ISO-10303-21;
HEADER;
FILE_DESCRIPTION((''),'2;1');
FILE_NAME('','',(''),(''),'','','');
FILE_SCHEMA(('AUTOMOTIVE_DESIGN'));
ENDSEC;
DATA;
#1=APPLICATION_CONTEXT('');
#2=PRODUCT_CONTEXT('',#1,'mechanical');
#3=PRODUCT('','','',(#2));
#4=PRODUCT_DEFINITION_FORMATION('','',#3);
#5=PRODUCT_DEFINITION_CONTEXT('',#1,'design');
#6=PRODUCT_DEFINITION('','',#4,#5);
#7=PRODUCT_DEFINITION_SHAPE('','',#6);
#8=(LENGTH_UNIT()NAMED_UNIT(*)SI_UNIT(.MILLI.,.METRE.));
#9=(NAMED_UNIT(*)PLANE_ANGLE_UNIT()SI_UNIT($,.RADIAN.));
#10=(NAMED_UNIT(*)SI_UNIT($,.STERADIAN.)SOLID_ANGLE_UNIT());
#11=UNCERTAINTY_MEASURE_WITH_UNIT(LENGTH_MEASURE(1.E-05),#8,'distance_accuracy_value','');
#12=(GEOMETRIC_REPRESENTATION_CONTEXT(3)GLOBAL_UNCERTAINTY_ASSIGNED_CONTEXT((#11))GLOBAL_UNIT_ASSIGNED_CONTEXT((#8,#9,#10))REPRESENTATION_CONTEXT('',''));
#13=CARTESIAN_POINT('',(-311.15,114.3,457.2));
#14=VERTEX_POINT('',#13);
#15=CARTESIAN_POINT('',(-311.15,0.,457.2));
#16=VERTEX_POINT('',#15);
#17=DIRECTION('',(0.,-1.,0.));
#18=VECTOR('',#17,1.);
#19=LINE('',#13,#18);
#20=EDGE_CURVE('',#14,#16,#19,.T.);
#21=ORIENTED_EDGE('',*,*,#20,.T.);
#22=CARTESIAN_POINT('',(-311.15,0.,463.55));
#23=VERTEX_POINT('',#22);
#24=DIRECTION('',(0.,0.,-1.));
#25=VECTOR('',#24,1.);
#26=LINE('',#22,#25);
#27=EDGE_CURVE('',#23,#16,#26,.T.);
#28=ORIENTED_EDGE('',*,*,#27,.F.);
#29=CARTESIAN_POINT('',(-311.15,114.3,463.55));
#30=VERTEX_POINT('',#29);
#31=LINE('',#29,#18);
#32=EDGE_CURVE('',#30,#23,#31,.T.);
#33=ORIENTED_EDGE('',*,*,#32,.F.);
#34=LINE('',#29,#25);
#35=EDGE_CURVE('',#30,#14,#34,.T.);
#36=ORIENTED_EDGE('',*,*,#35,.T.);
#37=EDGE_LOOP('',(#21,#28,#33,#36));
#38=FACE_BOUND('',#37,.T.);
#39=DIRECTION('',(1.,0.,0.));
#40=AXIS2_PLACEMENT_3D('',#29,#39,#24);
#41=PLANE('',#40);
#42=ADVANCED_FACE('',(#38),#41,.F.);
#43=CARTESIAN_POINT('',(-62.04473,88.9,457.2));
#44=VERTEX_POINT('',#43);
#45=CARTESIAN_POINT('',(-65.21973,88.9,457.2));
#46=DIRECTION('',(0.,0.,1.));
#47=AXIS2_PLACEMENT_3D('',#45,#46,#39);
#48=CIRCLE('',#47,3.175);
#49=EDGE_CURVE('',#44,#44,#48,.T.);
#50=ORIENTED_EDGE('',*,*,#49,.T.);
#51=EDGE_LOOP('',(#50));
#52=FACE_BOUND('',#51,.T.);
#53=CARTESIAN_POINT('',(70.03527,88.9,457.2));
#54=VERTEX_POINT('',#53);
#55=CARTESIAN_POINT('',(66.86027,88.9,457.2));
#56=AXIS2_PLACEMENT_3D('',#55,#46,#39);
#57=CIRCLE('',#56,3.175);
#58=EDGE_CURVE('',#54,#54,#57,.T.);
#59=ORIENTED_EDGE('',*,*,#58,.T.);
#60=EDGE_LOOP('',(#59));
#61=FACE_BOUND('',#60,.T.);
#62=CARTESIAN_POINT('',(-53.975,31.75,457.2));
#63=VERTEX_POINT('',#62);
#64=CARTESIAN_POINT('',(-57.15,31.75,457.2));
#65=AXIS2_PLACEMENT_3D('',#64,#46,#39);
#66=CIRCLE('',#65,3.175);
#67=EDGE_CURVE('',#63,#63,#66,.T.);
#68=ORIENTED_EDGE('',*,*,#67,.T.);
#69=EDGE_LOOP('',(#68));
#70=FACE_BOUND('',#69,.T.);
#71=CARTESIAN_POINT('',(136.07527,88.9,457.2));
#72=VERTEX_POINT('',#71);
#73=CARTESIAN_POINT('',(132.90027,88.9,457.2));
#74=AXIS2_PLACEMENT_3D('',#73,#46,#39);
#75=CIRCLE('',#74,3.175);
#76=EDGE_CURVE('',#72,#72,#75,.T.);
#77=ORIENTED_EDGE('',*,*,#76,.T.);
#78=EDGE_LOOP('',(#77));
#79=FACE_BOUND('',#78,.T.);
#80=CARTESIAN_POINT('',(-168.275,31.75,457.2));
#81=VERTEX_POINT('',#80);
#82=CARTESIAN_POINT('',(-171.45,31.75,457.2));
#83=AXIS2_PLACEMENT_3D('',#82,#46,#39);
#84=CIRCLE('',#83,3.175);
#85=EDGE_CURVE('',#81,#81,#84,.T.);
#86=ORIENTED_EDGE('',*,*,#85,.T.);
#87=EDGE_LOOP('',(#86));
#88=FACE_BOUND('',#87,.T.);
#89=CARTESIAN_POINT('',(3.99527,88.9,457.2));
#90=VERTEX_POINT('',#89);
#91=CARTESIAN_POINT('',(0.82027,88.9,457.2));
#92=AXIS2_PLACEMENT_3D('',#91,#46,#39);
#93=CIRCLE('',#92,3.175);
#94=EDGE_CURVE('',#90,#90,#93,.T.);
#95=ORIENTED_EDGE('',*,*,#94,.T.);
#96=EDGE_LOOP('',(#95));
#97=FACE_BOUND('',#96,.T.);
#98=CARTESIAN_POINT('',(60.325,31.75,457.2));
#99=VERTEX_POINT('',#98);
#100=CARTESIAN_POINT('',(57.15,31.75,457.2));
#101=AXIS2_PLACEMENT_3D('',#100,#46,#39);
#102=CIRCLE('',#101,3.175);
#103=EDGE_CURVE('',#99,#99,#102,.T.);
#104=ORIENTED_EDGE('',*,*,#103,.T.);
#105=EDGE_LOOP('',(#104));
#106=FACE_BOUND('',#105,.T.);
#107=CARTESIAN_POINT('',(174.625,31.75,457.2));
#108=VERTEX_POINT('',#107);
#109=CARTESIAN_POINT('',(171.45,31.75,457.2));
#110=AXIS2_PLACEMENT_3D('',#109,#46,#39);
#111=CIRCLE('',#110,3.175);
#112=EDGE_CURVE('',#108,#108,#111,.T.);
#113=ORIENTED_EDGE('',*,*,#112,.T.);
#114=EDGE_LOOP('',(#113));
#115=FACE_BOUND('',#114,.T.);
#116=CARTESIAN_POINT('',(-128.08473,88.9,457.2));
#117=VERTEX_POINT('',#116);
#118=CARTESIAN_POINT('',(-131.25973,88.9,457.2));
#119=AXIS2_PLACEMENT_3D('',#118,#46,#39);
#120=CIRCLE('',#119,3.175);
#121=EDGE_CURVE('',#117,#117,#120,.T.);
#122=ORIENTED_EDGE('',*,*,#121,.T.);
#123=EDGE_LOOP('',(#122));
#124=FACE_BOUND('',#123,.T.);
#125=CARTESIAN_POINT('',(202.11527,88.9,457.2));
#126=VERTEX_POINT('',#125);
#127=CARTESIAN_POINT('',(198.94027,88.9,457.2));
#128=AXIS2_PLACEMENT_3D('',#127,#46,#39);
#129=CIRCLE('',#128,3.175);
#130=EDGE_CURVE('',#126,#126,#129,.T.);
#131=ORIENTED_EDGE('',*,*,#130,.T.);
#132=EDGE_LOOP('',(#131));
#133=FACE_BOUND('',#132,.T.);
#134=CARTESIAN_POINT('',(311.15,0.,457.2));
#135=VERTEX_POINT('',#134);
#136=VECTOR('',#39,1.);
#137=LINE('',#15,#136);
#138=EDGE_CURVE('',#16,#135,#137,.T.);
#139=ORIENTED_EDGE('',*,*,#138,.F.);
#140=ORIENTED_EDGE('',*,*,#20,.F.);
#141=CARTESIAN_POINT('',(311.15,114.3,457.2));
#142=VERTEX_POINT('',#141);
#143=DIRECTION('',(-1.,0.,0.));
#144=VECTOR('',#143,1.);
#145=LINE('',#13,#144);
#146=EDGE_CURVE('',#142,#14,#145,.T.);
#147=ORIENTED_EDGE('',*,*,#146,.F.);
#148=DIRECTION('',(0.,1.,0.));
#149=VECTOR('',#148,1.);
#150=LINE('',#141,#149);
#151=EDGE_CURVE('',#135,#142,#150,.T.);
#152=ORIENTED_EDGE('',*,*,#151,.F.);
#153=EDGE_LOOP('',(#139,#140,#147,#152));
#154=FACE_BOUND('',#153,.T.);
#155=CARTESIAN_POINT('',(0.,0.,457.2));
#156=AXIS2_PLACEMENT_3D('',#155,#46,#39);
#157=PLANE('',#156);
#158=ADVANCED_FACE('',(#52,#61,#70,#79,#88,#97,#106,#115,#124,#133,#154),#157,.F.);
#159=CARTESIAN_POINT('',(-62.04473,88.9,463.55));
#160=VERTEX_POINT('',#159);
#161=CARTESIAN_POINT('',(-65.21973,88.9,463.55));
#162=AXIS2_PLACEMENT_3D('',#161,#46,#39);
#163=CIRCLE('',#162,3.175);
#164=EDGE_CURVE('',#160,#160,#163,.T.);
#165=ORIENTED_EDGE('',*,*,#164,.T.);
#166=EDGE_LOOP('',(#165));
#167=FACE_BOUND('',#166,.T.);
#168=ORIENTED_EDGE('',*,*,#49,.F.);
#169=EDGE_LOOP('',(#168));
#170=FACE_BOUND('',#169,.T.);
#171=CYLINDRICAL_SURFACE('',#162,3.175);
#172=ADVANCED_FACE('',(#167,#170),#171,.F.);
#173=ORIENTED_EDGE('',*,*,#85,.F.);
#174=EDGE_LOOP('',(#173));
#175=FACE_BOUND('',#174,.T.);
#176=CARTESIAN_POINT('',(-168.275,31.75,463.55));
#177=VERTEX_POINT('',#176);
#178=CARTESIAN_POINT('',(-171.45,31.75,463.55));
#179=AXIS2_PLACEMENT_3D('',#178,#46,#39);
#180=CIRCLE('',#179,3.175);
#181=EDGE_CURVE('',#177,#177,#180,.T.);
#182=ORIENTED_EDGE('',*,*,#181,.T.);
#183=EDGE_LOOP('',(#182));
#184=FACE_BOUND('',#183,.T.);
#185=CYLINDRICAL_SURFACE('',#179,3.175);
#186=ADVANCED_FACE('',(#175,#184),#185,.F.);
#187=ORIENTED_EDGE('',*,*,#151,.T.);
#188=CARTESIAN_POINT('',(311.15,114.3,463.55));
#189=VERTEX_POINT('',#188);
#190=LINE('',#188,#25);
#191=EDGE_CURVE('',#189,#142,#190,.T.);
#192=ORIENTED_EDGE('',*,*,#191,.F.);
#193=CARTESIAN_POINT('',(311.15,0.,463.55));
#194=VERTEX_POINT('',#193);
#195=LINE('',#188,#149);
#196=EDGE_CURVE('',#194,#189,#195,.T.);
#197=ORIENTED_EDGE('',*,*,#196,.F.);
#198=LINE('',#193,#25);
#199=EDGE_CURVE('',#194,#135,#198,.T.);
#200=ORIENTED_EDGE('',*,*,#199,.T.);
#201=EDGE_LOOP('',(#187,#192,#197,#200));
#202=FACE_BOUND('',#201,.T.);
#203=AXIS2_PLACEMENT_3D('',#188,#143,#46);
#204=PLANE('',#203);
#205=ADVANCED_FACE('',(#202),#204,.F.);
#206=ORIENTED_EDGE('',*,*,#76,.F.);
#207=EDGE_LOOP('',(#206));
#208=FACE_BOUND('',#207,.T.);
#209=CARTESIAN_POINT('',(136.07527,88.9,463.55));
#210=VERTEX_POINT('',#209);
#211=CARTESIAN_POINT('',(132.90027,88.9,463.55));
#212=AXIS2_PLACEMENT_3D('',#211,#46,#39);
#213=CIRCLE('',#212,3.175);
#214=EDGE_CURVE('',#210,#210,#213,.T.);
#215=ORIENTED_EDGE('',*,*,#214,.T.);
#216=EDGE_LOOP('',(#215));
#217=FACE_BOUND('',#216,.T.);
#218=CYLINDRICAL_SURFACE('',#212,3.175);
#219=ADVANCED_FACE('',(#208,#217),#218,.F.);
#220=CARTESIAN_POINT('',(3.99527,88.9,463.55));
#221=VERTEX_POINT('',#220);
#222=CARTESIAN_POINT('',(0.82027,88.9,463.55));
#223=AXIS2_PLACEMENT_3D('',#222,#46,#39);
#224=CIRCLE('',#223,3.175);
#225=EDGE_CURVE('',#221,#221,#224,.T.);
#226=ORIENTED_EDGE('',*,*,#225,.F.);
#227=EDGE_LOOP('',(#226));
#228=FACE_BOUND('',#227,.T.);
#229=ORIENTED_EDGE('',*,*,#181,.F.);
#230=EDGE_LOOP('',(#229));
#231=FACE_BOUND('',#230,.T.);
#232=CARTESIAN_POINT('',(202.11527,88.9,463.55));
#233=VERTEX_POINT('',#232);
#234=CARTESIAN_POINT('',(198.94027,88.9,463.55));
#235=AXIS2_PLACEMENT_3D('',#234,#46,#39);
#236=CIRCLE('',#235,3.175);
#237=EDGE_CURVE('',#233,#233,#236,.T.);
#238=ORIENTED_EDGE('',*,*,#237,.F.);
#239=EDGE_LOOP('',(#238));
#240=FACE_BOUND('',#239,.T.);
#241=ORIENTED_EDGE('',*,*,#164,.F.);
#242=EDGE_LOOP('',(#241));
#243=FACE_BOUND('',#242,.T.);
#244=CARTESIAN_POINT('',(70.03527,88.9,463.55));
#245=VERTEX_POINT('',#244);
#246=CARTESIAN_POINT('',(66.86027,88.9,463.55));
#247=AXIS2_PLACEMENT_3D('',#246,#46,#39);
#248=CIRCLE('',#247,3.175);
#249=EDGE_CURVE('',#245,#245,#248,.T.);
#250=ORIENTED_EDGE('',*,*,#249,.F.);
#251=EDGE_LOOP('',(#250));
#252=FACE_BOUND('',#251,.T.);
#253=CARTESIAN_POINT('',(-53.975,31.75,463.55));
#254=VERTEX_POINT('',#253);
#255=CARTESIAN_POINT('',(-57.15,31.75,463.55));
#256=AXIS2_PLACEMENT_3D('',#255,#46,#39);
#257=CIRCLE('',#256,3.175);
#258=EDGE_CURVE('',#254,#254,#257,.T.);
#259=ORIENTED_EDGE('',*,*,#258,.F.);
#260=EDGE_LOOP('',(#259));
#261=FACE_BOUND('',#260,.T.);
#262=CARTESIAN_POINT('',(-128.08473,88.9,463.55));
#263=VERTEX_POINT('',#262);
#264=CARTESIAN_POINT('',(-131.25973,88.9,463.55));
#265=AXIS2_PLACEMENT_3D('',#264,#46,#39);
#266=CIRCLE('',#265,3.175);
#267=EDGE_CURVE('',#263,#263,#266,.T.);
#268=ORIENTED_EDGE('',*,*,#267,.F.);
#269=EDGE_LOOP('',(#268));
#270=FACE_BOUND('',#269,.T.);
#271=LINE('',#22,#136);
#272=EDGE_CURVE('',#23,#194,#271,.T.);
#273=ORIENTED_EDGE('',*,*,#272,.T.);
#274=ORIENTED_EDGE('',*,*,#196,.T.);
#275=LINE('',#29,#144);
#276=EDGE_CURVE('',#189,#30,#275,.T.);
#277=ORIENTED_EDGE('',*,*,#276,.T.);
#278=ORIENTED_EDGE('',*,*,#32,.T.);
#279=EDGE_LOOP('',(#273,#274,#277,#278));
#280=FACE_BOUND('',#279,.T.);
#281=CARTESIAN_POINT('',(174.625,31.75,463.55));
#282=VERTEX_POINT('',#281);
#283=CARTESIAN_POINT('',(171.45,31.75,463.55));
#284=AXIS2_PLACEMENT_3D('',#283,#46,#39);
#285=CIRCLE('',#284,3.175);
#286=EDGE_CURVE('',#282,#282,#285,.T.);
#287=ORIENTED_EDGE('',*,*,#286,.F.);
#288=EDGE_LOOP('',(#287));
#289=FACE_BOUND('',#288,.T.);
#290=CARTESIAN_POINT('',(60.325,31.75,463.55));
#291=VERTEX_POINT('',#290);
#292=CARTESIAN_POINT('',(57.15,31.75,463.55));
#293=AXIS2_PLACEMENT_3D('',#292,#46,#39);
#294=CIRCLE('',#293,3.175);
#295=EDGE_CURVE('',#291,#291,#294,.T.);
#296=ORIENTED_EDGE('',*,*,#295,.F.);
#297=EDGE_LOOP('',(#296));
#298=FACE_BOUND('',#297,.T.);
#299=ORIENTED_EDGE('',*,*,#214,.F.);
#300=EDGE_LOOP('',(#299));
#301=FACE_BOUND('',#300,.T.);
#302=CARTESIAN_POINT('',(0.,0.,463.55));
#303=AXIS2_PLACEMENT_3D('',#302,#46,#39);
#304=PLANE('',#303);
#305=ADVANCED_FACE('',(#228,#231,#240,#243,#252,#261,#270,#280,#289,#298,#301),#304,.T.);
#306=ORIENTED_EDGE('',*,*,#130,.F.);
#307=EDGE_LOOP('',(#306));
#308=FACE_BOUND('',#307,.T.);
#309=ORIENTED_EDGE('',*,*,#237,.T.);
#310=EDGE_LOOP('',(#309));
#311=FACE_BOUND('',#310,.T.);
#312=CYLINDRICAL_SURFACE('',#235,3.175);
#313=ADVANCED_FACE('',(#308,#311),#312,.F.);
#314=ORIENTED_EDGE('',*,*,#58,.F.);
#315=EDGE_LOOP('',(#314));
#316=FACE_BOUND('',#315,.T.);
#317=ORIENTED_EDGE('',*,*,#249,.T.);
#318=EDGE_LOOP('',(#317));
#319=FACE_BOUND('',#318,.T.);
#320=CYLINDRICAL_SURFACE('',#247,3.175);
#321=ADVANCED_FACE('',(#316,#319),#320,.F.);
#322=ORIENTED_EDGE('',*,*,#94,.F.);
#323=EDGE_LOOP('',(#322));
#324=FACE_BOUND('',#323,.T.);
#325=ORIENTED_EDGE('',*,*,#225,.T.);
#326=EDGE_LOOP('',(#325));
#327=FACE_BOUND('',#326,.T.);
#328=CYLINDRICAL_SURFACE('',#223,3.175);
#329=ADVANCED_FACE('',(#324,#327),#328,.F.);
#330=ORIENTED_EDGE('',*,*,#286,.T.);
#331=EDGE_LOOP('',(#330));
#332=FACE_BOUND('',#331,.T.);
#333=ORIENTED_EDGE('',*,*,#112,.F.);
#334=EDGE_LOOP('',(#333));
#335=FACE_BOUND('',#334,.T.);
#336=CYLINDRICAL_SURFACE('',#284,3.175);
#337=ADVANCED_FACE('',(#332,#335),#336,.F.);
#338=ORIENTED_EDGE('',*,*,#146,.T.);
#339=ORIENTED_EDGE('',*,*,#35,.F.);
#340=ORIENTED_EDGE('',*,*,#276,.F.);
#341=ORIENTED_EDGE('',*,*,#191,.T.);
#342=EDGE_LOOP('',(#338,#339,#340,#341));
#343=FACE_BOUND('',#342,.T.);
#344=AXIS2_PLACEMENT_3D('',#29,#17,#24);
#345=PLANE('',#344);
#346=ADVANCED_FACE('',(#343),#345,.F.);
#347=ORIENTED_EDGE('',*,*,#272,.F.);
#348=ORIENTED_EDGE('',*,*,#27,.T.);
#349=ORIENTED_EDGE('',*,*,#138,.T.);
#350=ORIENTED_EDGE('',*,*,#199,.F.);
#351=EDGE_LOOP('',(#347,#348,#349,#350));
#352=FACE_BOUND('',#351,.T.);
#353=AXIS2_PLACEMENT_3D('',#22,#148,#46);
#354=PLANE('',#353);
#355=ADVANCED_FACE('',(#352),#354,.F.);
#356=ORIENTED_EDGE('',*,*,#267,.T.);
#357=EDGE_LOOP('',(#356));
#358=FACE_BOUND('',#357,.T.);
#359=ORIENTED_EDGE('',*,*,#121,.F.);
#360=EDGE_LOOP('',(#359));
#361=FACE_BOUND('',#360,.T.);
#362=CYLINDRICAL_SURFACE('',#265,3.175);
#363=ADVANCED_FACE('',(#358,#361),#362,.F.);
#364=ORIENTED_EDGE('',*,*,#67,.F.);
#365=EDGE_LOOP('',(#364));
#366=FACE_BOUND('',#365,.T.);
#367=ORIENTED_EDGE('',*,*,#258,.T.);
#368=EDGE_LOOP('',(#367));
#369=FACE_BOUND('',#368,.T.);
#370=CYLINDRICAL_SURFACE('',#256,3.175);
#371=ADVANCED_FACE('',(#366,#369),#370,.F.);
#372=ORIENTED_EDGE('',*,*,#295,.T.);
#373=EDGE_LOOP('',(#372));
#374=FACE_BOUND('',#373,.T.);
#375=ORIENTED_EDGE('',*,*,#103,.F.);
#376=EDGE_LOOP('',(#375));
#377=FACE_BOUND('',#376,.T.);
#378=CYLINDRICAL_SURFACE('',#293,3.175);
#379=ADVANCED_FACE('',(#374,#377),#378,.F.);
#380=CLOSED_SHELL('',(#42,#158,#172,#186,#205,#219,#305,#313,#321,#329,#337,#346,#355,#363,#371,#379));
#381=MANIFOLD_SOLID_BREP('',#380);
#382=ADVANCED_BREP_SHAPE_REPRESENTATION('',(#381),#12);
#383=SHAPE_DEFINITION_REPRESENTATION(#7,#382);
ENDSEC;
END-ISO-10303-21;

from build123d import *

# Parameters (mm, degrees)
SKETCH1_W                   = 622.3
SKETCH1_H                   = 114.3
BOSS_EXTRUDE1_DEPTH         = 6.35
F_1_4_0_25_DIAMETER_HOLE1_D = 6.35
LPATTERN1_COUNT             = 6
LPATTERN1_PITCH             = 66.04
F_1_4_0_25_DIAMETER_HOLE2_D = 6.35
LPATTERN2_COUNT             = 4
LPATTERN2_PITCH             = 114.3


with BuildPart() as part:
    # Sketch1 → Boss-Extrude1 (new body)
    with BuildSketch(Plane.XY.offset(457.2)):
        with Locations((0, 57.15)):
            Rectangle(SKETCH1_W, SKETCH1_H)
    extrude(amount=BOSS_EXTRUDE1_DEPTH)

    # 1/4 (0.25) Diameter Hole1 (through all)
    with Locations(Plane.XY.offset(463.55)):
        with Locations((-131.259730304, 88.9)):
            f_1_4_0_25_diameter_hole1 = Hole(F_1_4_0_25_DIAMETER_HOLE1_D / 2)

    # LPattern1: 1/4 (0.25) Diameter Hole1 ×6
    with Locations(*[(i * LPATTERN1_PITCH, 0, 0) for i in range(1, LPATTERN1_COUNT)]):
        add(f_1_4_0_25_diameter_hole1, mode=Mode.SUBTRACT)

    # 1/4 (0.25) Diameter Hole2 (through all)
    with Locations(Plane.XY.offset(463.55)):
        with Locations((-171.45, 31.75)):
            f_1_4_0_25_diameter_hole2 = Hole(F_1_4_0_25_DIAMETER_HOLE2_D / 2)

    # LPattern2: 1/4 (0.25) Diameter Hole2 ×4
    with Locations(*[(i * LPATTERN2_PITCH, 0, 0) for i in range(1, LPATTERN2_COUNT)]):
        add(f_1_4_0_25_diameter_hole2, mode=Mode.SUBTRACT)


solid = part.part
